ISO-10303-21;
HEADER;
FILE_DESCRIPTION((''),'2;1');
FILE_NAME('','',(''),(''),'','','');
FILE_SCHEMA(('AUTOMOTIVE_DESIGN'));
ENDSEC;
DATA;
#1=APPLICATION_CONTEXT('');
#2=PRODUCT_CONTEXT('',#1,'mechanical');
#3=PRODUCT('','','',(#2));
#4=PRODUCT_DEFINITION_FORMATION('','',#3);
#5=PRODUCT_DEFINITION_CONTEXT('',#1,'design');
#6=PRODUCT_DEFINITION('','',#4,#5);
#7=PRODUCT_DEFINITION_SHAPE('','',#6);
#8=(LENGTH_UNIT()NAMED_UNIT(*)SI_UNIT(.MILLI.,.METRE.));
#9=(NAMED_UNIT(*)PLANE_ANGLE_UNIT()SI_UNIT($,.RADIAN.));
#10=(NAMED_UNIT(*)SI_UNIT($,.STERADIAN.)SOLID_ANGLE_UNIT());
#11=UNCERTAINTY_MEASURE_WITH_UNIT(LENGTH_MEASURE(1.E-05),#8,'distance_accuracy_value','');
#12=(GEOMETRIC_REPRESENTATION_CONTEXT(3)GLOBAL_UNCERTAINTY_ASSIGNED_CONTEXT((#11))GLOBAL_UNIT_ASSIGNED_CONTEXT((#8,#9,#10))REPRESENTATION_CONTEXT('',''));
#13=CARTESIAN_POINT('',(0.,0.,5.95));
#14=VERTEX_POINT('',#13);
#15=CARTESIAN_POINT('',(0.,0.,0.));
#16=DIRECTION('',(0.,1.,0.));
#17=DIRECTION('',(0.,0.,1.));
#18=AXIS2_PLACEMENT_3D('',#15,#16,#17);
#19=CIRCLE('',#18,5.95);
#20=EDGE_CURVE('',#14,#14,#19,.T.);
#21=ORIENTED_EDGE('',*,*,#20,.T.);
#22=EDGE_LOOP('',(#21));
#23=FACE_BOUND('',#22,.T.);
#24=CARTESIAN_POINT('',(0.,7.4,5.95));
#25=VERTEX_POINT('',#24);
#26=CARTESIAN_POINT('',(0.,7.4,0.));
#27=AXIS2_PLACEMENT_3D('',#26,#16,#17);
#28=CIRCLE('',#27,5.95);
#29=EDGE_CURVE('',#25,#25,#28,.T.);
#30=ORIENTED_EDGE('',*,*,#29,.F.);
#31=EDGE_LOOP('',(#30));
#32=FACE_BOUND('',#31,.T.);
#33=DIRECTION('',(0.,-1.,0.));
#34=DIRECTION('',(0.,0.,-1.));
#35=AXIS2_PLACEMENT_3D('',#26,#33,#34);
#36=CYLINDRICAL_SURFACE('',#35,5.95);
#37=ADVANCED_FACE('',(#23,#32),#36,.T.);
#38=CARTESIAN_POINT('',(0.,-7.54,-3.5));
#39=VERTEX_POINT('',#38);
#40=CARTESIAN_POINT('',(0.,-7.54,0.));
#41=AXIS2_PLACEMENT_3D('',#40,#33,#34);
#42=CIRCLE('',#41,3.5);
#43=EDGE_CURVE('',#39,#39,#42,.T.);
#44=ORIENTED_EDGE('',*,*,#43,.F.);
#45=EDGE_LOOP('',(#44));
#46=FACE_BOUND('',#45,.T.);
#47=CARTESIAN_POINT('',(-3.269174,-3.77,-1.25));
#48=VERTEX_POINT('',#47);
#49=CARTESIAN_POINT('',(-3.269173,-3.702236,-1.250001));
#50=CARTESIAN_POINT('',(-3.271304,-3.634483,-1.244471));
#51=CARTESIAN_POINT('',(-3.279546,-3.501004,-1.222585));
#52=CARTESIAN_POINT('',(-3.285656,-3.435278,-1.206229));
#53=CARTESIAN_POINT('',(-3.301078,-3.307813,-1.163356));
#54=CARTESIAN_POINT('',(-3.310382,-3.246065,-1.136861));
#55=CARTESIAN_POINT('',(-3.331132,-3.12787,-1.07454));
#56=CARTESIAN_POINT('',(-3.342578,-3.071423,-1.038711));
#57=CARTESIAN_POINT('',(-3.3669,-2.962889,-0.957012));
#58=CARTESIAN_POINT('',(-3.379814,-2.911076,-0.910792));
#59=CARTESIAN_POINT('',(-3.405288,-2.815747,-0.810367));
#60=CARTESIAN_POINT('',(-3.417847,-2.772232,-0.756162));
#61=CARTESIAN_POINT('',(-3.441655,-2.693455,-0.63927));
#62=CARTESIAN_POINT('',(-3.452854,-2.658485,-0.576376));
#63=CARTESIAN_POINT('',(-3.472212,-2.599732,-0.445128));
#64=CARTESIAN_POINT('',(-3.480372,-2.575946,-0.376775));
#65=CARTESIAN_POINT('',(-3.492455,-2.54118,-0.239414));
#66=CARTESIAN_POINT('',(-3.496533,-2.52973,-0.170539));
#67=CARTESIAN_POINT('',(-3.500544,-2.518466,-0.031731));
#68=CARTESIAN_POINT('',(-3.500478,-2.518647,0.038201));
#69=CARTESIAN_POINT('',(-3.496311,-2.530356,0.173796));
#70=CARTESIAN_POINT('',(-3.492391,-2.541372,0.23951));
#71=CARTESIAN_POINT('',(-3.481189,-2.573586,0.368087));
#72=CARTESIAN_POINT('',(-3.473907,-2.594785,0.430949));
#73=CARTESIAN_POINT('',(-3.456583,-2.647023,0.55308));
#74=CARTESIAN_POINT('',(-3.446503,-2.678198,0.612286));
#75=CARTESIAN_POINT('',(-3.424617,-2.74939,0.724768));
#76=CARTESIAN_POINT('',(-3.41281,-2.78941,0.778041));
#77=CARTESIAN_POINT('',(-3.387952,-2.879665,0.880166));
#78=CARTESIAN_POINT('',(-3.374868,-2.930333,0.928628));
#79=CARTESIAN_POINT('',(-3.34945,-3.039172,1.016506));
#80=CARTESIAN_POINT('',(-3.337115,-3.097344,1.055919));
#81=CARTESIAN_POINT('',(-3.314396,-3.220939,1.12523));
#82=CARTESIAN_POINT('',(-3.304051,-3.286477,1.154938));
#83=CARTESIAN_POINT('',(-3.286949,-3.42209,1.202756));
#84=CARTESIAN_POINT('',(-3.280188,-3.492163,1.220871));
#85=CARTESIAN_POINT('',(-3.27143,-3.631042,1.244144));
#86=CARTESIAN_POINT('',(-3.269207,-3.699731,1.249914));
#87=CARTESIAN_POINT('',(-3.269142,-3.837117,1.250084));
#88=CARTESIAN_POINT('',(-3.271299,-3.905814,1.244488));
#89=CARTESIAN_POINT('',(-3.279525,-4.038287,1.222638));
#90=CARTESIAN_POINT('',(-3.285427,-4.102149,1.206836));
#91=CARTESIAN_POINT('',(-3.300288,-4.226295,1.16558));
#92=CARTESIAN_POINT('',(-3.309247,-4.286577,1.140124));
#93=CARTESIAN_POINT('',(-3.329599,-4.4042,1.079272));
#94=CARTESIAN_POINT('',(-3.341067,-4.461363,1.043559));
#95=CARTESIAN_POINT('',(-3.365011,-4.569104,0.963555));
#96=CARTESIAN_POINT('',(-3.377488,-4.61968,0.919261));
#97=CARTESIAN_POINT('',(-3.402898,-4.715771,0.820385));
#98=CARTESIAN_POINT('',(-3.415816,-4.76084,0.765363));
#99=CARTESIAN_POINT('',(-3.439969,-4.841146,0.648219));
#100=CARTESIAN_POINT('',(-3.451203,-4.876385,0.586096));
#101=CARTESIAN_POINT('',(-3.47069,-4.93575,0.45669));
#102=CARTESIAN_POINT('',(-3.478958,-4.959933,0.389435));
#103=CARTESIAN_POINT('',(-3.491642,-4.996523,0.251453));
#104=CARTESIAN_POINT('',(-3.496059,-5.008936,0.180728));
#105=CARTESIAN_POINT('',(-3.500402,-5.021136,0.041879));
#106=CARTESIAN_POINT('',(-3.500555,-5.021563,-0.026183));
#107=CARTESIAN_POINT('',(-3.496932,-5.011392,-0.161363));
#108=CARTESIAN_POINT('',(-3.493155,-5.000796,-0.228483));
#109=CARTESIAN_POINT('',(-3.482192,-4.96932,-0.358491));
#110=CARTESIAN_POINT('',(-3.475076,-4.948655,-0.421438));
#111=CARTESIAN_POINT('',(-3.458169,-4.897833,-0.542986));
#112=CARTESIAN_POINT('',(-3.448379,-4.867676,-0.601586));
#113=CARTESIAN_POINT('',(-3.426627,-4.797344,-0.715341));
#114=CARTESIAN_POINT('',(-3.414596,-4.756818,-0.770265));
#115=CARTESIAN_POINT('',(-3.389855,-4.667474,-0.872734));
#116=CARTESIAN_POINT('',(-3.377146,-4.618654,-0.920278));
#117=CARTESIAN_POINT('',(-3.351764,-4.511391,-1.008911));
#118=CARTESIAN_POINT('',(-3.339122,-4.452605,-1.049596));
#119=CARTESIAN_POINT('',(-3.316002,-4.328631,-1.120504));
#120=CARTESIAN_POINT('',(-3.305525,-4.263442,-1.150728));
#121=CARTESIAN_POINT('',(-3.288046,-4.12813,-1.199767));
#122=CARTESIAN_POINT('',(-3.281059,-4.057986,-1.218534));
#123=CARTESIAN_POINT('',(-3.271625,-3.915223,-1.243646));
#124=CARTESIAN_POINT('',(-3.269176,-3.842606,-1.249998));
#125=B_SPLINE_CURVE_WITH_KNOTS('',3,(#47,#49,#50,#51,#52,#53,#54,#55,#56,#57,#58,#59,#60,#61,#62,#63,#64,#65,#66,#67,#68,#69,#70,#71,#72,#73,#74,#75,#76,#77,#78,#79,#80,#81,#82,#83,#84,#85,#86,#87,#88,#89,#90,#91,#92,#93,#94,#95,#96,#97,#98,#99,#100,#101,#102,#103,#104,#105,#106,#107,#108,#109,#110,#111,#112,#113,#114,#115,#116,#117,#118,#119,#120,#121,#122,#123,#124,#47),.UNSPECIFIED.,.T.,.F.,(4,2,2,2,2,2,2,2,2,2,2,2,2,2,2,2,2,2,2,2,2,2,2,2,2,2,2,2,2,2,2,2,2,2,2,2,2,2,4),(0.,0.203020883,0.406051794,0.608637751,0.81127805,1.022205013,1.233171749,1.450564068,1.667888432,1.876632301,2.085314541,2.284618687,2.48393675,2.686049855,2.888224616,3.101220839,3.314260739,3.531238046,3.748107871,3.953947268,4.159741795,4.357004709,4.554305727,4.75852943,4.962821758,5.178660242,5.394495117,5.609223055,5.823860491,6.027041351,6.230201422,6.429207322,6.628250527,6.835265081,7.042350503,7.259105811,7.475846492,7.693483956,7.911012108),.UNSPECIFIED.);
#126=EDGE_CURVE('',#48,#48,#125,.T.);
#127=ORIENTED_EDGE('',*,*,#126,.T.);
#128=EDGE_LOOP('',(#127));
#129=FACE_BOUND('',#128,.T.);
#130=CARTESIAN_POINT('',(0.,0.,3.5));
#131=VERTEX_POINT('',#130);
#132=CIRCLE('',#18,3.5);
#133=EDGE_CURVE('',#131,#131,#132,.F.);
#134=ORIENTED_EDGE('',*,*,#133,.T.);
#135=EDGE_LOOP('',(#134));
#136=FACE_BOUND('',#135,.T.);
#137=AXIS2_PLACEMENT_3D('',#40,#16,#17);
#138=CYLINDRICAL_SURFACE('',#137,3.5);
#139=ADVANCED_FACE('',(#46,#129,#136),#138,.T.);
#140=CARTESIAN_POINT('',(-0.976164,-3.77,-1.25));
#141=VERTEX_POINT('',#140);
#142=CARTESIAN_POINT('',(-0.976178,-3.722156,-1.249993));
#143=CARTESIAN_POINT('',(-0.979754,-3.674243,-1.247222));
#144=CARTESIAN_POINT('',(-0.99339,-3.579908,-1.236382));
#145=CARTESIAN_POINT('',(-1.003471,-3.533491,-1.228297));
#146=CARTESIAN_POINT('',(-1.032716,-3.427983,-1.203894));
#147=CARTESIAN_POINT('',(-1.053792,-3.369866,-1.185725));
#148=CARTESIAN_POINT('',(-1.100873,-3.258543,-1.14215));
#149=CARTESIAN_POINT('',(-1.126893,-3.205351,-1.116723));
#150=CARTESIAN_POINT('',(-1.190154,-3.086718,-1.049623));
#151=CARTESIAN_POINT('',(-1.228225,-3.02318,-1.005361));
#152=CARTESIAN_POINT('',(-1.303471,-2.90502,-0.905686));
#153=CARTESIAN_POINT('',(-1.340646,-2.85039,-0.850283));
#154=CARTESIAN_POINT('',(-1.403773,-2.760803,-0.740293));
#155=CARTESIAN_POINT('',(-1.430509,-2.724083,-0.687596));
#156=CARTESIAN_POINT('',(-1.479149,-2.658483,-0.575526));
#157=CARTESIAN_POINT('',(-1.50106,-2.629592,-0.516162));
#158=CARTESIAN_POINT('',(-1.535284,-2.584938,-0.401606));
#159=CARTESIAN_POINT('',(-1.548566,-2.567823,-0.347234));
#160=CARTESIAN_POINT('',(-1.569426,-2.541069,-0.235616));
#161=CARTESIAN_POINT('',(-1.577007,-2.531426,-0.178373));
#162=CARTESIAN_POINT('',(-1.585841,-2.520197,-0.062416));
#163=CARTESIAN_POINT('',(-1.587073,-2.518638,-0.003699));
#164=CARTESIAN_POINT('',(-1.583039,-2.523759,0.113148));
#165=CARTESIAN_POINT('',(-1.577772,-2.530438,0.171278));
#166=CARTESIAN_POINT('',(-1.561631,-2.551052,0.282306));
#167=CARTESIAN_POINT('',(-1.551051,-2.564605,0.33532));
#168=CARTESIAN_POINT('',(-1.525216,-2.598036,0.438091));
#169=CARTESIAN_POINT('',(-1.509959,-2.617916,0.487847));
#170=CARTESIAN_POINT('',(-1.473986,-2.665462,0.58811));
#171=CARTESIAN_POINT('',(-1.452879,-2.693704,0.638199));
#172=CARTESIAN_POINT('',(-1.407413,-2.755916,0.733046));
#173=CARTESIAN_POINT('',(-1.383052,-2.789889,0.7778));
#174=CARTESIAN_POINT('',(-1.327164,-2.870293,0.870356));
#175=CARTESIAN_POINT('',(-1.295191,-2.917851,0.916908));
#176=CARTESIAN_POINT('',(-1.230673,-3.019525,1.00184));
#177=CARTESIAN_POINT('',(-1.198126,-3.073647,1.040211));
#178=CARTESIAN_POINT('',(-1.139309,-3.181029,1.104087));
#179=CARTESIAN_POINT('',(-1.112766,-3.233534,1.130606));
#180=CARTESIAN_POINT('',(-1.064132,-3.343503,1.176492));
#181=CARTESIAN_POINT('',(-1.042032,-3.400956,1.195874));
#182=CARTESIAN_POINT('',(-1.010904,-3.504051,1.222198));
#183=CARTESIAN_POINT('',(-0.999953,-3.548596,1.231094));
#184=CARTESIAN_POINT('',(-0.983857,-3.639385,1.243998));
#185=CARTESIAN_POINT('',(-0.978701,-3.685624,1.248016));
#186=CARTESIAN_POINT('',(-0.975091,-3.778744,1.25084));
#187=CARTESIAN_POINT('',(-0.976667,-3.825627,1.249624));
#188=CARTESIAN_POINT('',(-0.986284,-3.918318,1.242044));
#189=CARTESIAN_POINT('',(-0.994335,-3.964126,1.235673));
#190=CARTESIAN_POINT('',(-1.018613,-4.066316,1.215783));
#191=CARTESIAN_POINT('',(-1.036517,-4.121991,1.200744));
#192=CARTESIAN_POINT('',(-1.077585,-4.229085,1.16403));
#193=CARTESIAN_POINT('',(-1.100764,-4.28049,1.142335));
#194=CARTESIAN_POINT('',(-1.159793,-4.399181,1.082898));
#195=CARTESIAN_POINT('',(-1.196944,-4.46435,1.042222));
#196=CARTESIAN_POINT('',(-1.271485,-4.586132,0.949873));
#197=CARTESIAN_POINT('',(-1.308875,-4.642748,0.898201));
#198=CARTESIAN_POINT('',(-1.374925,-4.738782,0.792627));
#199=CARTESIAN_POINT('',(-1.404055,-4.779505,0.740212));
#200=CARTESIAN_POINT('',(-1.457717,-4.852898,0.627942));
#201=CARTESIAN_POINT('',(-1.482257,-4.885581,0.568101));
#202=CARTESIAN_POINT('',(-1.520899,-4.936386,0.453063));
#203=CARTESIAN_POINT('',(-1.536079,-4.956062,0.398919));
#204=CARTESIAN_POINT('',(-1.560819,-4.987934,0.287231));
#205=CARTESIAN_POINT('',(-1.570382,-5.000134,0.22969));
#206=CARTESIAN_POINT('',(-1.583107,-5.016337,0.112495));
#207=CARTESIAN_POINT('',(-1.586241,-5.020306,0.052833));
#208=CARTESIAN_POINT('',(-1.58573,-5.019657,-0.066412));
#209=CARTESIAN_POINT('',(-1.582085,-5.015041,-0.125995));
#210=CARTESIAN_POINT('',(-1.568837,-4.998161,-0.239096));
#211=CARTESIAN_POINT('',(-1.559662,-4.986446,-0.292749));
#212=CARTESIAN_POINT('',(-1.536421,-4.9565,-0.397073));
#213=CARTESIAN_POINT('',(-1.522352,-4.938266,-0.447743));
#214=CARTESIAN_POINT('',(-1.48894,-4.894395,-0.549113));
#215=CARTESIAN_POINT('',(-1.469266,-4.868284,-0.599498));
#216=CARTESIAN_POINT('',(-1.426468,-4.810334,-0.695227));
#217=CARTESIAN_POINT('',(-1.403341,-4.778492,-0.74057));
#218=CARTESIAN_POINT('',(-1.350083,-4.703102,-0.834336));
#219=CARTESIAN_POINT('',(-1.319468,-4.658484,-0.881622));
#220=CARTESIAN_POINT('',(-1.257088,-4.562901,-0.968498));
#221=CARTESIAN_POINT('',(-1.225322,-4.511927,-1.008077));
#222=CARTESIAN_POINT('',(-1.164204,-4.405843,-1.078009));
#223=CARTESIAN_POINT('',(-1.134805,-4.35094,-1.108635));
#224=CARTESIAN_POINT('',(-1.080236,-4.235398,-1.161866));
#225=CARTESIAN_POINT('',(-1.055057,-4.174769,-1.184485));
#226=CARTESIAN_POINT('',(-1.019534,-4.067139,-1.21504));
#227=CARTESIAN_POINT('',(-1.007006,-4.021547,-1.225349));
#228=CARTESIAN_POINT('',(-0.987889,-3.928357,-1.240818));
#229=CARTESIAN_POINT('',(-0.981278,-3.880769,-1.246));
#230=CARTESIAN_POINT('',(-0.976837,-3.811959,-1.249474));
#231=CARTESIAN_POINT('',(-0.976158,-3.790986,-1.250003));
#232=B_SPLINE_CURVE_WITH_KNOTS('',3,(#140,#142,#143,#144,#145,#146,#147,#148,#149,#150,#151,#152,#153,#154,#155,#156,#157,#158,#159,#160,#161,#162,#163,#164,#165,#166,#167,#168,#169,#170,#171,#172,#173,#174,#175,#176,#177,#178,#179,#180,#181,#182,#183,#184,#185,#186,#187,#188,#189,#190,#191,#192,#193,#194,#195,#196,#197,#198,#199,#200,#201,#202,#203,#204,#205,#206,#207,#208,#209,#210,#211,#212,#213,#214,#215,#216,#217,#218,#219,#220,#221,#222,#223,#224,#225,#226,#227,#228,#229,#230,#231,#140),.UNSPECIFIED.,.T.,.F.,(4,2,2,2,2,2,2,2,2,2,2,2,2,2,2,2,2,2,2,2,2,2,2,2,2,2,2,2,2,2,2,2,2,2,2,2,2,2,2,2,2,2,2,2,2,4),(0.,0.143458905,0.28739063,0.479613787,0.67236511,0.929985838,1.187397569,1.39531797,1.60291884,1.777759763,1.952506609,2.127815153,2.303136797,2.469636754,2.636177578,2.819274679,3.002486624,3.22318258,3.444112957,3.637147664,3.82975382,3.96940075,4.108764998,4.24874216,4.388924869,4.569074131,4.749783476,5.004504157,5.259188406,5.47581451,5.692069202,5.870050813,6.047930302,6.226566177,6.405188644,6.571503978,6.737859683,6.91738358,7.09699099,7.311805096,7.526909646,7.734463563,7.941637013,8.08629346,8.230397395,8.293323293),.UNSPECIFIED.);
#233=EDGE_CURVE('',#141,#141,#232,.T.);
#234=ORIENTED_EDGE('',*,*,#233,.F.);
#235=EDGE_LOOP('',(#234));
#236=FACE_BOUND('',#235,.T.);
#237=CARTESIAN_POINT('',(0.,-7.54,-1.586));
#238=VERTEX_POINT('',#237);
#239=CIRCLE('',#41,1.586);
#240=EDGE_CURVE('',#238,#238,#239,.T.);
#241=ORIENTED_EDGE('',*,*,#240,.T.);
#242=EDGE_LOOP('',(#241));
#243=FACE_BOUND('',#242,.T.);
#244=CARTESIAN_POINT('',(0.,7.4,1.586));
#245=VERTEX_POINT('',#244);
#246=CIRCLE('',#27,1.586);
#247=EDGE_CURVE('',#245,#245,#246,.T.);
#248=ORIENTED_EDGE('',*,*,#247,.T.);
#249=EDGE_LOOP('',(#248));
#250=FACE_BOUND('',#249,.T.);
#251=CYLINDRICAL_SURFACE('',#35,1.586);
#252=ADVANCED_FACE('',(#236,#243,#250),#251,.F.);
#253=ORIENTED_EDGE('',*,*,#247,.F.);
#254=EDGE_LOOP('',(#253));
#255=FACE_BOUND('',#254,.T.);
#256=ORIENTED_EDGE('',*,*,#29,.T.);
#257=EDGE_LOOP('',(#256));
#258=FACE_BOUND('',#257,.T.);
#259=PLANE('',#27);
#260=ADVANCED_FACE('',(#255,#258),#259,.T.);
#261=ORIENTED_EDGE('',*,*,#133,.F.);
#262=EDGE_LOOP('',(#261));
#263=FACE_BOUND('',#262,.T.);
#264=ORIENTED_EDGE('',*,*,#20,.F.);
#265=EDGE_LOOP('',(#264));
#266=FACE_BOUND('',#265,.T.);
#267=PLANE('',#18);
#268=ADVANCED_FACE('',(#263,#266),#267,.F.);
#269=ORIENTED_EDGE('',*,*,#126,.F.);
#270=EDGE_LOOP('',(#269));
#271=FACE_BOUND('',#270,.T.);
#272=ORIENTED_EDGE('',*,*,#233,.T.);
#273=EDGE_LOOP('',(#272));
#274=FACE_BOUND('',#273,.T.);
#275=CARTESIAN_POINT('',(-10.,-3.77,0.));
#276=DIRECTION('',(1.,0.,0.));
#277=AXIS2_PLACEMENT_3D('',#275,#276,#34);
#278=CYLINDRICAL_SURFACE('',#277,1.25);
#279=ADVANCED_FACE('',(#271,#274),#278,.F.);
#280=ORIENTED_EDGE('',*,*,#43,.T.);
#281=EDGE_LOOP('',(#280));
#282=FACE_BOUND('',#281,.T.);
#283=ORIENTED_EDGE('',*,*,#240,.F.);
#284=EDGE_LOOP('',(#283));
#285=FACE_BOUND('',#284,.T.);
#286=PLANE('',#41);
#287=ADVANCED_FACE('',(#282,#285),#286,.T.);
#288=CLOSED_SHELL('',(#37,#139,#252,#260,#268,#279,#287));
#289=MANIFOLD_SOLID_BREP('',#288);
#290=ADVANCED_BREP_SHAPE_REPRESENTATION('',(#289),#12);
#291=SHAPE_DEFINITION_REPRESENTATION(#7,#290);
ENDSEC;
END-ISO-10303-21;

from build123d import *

# Parameters (mm, degrees)
SKETCH1_R           = 5.95
SKETCH1_R_2         = 1.586
BOSS_EXTRUDE1_DEPTH = 7.4
SKETCH2_R           = 3.5
SKETCH2_R_2         = 1.586
BOSS_EXTRUDE2_DEPTH = 7.54
SKETCH3_R           = 1.25
CUT_EXTRUDE1_DEPTH  = 10


with BuildPart() as part:
    # Sketch1 → Boss-Extrude1 (new body)
    with BuildSketch(Plane(origin=(0, 0, 0), x_dir=(1, 0, 0), z_dir=(0, 1, 0))):
        Circle(SKETCH1_R)
        Circle(SKETCH1_R_2, mode=Mode.SUBTRACT)
    extrude(amount=BOSS_EXTRUDE1_DEPTH)

    # Sketch2 → Boss-Extrude2 (add)
    with BuildSketch(Plane.XZ):
        Circle(SKETCH2_R)
        Circle(SKETCH2_R_2, mode=Mode.SUBTRACT)
    extrude(amount=BOSS_EXTRUDE2_DEPTH)

    # Sketch3 → Cut-Extrude1 (cut)
    with BuildSketch(Plane(origin=(0, 0, 0), x_dir=(0, 0, -1), z_dir=(1, 0, 0))):
        with Locations((0, -3.77)):
            Circle(SKETCH3_R)
    extrude(amount=-CUT_EXTRUDE1_DEPTH, mode=Mode.SUBTRACT)


solid = part.part
